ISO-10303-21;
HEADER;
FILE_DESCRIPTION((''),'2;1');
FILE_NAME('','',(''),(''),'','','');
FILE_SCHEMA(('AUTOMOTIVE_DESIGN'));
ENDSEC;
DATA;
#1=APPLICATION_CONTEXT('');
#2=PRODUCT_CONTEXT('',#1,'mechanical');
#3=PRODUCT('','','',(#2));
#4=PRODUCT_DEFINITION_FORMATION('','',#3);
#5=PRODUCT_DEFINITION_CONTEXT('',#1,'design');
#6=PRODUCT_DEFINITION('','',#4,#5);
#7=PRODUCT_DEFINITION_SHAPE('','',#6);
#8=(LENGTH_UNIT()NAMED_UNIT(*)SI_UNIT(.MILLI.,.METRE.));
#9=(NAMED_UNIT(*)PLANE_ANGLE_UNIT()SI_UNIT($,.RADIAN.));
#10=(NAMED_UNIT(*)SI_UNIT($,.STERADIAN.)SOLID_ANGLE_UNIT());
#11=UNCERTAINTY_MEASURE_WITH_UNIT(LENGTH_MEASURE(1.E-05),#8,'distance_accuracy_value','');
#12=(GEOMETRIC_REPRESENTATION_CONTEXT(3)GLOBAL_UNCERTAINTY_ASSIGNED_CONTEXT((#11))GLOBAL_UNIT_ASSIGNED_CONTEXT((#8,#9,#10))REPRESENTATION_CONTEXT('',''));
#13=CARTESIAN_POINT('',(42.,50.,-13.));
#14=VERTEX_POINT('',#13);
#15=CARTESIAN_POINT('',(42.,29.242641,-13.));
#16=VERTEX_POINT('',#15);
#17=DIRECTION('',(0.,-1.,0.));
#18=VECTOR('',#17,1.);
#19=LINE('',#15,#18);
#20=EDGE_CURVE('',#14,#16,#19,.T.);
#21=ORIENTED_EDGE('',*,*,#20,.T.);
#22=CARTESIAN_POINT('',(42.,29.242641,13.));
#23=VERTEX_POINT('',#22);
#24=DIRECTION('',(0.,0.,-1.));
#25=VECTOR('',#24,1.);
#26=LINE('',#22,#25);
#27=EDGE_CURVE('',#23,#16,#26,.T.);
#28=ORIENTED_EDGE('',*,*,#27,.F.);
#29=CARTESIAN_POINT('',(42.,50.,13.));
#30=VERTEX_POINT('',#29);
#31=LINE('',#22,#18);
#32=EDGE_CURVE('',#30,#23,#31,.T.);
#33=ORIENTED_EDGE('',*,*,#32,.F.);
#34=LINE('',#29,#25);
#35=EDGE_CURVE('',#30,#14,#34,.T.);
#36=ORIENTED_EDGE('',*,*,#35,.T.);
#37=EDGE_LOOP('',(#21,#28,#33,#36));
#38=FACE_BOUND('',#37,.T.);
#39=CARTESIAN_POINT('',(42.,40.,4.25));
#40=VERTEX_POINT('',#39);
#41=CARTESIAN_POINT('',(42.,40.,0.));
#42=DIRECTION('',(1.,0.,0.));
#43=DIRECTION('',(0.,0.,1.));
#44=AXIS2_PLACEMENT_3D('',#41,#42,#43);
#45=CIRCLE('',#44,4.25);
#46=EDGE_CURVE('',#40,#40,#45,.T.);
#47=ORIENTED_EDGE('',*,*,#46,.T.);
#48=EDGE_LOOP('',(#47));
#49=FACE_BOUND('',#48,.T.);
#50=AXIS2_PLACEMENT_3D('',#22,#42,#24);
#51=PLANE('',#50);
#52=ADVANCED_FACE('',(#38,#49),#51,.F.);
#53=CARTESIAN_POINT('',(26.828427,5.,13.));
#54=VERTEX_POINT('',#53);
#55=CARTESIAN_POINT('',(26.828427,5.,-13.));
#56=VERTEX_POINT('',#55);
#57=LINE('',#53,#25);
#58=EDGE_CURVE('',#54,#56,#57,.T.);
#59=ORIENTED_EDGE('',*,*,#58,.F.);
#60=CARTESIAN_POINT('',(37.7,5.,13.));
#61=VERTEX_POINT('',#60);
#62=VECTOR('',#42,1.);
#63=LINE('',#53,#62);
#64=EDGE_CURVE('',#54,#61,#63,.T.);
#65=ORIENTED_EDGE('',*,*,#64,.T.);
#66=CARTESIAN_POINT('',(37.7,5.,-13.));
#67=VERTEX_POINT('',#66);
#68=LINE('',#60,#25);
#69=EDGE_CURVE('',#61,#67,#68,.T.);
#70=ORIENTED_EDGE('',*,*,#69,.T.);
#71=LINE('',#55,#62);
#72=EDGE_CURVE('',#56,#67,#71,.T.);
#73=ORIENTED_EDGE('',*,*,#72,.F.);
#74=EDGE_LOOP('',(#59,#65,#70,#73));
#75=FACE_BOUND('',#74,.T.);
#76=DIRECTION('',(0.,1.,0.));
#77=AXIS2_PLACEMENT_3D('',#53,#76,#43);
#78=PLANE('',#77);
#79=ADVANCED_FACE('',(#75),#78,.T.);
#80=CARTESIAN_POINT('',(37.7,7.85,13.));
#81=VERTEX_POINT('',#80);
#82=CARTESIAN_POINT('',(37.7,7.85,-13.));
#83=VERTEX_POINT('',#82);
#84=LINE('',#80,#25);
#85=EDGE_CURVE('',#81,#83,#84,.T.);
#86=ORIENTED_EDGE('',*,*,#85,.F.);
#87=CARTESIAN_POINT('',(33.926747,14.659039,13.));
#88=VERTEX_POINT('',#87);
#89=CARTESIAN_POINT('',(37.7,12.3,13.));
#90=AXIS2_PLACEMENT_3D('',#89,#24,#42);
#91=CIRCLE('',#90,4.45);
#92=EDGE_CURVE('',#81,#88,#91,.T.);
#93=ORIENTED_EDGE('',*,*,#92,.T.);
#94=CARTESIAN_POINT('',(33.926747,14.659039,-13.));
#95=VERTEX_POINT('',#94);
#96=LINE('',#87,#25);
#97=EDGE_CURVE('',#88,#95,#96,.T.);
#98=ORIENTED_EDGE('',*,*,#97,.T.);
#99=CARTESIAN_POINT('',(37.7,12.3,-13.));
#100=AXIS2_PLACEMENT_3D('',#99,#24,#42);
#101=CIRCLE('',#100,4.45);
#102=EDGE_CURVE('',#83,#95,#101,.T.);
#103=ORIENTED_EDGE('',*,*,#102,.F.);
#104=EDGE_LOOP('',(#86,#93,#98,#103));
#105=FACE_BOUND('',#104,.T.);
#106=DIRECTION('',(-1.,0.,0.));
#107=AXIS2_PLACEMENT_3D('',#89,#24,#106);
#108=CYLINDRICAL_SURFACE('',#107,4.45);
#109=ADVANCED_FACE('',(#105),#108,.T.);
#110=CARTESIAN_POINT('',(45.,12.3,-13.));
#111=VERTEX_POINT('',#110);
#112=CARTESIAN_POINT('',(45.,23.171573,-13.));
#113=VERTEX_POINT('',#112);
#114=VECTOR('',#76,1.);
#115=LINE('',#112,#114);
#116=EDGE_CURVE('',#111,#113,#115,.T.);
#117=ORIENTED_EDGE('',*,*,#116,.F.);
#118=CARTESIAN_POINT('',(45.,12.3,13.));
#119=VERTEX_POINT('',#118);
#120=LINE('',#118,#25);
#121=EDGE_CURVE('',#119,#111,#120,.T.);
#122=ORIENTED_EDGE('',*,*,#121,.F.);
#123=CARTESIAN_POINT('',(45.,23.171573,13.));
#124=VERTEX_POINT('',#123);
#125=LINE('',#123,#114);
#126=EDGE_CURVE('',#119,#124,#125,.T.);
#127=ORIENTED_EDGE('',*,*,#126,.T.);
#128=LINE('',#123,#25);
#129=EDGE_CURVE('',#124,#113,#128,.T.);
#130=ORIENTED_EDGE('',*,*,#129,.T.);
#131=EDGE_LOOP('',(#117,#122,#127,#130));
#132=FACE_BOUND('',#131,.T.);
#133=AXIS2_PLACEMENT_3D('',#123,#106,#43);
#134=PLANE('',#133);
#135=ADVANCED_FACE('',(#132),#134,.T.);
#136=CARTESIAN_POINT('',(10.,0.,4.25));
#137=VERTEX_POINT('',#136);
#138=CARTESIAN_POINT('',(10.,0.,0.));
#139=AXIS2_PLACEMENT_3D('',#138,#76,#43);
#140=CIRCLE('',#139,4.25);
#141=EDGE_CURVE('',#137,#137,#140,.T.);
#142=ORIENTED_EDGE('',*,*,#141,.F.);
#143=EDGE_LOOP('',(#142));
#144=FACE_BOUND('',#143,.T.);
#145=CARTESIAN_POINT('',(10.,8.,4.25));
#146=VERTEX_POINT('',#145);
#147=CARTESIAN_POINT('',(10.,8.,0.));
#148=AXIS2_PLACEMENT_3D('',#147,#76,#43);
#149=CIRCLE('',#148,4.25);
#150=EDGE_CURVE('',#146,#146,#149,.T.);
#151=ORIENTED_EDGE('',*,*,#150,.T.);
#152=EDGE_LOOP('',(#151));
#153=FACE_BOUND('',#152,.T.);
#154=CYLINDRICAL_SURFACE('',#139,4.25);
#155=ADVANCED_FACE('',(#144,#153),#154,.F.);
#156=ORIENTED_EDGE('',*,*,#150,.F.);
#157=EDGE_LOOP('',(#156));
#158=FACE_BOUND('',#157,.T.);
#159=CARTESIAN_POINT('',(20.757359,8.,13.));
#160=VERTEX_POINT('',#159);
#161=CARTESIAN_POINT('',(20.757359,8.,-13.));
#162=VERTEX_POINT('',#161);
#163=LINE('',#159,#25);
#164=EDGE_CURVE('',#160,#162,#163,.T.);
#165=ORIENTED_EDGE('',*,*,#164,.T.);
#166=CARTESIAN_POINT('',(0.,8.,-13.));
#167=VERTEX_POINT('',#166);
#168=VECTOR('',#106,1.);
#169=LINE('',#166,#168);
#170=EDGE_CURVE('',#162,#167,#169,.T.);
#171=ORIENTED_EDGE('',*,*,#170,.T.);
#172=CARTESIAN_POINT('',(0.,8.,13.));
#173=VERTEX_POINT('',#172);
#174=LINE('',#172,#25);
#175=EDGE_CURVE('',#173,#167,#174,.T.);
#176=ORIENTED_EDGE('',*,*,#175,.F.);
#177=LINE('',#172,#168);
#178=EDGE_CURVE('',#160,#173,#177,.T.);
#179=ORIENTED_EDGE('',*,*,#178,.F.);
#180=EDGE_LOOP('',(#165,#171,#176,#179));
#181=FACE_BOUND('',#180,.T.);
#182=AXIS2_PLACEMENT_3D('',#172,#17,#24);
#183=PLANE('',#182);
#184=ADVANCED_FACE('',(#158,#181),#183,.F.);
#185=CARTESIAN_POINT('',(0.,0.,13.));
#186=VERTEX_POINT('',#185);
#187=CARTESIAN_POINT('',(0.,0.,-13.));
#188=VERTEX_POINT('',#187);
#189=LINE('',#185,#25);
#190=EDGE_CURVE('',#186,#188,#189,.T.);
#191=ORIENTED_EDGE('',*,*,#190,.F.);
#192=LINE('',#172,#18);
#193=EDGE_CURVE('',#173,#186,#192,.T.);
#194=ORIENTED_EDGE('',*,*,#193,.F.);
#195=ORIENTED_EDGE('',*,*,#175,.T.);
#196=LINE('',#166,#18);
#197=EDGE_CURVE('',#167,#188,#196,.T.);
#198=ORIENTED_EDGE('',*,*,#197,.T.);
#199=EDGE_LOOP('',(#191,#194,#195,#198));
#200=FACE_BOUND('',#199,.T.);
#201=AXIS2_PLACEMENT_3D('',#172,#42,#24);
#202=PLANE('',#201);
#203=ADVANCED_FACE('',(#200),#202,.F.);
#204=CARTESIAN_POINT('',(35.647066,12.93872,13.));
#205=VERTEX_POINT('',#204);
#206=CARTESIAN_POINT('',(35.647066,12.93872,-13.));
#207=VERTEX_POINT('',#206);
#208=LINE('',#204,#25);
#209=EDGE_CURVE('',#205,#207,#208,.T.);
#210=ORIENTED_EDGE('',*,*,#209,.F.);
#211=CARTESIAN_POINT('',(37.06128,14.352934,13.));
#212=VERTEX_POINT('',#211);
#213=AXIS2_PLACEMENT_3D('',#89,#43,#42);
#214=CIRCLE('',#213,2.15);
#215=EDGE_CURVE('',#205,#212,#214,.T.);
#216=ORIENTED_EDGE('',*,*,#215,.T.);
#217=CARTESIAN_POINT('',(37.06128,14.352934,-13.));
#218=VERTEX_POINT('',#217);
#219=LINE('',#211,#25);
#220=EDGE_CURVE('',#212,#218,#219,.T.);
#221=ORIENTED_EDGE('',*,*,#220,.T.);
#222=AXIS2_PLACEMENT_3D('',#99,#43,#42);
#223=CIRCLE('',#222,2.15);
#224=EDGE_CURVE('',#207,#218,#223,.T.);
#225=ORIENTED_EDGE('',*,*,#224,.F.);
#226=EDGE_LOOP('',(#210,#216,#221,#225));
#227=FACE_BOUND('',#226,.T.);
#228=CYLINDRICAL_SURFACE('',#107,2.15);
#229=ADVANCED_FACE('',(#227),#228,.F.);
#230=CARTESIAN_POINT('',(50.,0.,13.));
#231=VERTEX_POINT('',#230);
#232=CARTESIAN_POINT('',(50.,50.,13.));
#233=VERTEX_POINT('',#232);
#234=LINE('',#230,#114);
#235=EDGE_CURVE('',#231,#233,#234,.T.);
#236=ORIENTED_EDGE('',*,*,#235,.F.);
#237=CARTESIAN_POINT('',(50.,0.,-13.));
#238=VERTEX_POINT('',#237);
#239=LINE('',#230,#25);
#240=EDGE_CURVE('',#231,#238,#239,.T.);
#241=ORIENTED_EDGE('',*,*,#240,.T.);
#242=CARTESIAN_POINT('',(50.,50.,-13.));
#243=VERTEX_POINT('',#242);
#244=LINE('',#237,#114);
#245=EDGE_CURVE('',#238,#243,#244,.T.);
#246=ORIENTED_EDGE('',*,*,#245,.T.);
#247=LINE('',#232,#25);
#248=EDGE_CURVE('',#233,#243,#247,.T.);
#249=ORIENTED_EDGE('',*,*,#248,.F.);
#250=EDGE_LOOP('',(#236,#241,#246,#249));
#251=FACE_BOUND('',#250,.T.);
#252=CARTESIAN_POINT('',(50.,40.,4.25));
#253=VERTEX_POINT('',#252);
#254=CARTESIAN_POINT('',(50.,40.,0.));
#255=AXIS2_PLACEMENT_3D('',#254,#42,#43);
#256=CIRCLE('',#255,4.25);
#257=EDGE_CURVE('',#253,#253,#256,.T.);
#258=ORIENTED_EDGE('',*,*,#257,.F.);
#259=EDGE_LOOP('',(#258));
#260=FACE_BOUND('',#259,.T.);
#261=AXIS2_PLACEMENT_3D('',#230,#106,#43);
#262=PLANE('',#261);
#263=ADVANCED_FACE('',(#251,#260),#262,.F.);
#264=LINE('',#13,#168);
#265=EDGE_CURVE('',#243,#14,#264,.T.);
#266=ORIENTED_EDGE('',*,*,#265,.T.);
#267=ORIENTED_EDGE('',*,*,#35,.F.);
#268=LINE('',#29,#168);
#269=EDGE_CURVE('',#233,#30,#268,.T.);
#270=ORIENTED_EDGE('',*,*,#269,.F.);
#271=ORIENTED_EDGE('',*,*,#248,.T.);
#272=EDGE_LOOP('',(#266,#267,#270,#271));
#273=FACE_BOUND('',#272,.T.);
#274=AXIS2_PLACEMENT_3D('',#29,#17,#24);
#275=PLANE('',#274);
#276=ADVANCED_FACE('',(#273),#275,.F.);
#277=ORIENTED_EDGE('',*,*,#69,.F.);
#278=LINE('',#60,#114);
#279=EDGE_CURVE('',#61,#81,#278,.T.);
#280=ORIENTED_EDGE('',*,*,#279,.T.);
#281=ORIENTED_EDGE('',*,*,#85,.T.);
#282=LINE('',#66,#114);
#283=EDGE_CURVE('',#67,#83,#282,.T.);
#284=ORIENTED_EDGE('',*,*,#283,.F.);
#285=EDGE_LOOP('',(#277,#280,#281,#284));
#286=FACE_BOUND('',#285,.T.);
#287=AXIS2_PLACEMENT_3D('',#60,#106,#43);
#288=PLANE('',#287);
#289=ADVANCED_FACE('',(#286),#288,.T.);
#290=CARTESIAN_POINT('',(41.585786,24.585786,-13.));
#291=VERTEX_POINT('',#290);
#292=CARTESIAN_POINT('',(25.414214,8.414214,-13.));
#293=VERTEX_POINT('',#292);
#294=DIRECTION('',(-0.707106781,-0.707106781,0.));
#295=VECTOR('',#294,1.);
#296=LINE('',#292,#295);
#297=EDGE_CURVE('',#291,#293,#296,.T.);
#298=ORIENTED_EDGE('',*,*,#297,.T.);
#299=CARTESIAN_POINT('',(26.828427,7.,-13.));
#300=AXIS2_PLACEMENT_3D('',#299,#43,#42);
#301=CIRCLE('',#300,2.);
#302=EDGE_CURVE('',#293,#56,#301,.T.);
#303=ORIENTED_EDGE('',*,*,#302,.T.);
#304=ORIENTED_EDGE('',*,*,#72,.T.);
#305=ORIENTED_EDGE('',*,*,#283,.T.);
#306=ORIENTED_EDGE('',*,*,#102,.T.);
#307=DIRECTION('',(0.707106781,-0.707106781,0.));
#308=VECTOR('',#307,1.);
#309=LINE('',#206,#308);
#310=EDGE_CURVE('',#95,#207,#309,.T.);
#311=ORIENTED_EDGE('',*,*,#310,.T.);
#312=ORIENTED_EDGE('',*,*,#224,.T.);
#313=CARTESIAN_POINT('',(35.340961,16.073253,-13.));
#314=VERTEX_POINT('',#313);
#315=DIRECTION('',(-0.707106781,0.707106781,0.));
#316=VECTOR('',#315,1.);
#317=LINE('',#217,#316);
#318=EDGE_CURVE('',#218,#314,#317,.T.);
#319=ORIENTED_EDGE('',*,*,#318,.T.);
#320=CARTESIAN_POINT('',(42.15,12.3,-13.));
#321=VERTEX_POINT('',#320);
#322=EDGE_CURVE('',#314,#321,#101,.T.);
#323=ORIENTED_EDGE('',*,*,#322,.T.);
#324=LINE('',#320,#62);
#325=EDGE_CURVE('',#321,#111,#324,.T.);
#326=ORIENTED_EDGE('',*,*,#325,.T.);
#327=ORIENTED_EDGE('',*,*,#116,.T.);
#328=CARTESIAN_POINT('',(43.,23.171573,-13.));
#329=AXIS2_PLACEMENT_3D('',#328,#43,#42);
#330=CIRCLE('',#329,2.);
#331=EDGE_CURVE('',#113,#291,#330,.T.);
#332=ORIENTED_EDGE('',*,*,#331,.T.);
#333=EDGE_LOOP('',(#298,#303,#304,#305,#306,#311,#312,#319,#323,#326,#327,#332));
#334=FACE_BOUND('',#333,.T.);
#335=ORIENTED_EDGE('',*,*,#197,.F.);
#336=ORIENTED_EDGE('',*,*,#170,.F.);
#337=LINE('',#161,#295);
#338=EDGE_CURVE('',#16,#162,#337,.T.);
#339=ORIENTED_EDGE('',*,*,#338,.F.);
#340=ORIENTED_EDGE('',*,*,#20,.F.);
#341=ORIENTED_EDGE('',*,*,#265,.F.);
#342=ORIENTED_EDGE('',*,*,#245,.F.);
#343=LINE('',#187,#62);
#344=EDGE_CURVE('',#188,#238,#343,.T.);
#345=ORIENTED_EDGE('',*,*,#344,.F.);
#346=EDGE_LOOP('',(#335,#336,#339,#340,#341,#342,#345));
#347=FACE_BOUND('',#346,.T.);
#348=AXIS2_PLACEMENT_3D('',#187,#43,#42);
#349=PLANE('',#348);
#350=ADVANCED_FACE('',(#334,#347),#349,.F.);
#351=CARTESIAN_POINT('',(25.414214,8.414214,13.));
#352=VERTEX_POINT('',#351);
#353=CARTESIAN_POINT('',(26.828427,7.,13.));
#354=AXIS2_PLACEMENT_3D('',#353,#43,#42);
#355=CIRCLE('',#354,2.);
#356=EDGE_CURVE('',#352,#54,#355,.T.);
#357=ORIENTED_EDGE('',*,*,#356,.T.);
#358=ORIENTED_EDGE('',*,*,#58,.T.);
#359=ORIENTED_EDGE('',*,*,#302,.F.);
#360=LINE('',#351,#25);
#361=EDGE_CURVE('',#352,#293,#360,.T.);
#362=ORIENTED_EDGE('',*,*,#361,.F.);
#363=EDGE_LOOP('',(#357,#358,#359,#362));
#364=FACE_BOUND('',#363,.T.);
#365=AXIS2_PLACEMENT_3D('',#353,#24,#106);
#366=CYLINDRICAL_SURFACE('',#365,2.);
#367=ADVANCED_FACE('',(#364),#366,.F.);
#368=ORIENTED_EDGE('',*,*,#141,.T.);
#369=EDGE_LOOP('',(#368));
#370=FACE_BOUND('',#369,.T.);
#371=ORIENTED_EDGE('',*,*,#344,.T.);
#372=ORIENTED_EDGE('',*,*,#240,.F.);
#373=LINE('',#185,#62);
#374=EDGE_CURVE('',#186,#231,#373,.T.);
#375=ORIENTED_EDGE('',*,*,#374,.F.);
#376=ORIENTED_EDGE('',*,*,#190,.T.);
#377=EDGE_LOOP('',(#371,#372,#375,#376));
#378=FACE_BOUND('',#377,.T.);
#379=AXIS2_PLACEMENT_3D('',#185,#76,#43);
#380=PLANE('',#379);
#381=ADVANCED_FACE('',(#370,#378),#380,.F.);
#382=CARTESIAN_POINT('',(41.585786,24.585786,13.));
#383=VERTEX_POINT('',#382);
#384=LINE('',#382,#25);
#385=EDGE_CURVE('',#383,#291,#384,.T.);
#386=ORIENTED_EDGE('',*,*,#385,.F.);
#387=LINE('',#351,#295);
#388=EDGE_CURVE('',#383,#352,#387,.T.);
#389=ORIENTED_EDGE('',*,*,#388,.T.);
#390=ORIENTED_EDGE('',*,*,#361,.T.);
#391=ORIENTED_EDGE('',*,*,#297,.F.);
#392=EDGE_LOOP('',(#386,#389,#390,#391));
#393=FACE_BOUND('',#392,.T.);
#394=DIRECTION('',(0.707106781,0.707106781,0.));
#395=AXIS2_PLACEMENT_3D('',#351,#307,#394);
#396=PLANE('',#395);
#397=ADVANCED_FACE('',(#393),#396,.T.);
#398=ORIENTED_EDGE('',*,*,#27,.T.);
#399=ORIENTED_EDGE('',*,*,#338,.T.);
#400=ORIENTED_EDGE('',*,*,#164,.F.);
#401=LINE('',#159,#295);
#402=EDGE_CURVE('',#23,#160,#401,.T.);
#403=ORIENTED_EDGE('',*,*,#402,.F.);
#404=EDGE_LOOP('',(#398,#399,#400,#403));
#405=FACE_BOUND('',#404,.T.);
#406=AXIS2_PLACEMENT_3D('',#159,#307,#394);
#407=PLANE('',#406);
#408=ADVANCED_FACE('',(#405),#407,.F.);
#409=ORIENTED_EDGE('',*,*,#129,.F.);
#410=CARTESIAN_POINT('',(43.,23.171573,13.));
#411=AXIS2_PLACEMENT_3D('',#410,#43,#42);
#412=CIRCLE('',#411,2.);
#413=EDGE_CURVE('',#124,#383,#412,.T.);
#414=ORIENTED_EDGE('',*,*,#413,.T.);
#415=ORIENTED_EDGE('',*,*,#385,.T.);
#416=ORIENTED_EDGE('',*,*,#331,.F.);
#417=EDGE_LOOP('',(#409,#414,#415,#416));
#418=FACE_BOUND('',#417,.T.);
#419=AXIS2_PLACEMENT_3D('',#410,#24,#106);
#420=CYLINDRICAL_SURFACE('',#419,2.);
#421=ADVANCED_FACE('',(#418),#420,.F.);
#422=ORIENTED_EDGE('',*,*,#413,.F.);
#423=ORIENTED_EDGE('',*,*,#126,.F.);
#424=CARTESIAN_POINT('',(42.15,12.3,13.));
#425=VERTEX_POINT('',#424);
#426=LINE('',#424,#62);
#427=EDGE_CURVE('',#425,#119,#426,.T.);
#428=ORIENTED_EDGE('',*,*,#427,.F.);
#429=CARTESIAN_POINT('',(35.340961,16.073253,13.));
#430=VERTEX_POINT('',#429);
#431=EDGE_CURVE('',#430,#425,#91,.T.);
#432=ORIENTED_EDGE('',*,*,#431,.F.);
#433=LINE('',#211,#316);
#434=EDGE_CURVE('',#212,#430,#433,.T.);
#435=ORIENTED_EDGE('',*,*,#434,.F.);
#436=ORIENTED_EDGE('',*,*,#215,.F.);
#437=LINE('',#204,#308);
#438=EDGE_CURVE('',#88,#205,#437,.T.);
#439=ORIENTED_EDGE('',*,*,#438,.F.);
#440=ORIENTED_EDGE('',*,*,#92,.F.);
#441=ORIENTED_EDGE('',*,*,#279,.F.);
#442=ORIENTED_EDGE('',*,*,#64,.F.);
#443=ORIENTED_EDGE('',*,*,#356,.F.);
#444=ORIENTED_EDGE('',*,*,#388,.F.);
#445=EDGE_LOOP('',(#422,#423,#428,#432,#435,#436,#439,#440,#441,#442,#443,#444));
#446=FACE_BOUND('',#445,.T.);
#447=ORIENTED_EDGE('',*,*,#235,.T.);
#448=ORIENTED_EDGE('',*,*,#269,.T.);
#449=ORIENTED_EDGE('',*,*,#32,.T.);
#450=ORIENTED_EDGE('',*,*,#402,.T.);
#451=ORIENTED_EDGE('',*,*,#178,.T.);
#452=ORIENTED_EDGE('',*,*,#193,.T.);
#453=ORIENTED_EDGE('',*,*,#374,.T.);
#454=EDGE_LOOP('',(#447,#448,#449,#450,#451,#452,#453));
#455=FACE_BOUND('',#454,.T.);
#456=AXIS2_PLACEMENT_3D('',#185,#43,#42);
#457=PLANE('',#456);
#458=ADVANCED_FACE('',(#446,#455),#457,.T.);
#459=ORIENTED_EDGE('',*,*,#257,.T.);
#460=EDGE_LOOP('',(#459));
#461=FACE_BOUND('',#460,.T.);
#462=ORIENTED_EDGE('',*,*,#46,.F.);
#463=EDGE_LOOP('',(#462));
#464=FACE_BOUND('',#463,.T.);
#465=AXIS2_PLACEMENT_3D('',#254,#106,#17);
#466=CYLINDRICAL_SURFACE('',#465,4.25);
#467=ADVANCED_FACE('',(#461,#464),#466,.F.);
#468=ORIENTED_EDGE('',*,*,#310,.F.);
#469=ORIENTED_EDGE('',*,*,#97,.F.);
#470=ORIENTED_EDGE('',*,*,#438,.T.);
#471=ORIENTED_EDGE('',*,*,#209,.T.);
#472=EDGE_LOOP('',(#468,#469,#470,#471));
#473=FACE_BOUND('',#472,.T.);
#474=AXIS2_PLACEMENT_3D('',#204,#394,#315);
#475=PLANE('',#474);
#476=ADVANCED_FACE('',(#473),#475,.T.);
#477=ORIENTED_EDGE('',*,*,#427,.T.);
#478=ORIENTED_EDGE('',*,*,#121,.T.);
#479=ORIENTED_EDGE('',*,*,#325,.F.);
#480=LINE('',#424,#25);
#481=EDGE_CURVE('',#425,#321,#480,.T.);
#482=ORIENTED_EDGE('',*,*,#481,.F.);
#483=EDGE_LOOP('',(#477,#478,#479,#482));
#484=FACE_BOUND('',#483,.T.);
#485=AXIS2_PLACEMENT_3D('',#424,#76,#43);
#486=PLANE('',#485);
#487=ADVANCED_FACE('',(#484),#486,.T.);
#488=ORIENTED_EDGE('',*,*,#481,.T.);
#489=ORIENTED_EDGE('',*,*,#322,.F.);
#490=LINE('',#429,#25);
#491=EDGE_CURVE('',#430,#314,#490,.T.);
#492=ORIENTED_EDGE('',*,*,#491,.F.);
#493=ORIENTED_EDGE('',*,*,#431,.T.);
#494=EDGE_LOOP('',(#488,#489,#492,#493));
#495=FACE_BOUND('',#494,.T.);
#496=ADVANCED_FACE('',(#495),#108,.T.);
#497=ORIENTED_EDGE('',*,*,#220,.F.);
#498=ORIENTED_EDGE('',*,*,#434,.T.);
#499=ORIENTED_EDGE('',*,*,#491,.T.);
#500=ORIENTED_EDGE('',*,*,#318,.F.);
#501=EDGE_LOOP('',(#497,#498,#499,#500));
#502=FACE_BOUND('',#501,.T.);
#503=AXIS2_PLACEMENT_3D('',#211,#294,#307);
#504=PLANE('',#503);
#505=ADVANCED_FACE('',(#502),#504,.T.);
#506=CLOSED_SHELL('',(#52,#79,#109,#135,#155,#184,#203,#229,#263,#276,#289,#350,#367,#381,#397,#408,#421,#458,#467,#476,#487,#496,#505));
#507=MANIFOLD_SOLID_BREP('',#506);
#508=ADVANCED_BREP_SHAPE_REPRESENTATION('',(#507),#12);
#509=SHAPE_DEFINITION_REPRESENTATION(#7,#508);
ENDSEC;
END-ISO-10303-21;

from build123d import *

# Parameters (mm, degrees)
EXTRUDE_1_DEPTH     = 13
SKETCH_3_R          = 4.25
CUT_EXTRUDE_1_DEPTH = 67.580778007


with BuildPart() as part:
    # 草图1 → 凸台-拉伸1 (new, symmetric)
    with BuildSketch(Plane.XY):
        Polygon((0, 0), (50, 0), (50, 50), (42, 50), (42, 29.242640687), (20.757359313, 8), (0, 8), align=None)
        with BuildLine():
            Line((37.061279898, 14.352933665), (35.340960992, 16.07325257))
            ThreePointArc((35.340960992, 16.07325257), (39.856939547, 16.192314452), (42.15, 12.3))
            Line((42.15, 12.3), (45, 12.3))
            Line((45, 12.3), (45, 23.171572875))
            ThreePointArc((45, 23.171572875), (43.765366865, 25.01933194), (41.585786438, 24.585786438))
            Line((41.585786438, 24.585786438), (25.414213562, 8.414213562))
            ThreePointArc((25.414213562, 8.414213562), (24.98066806, 6.234633135), (26.828427125, 5))
            Line((26.828427125, 5), (37.7, 5))
            Line((37.7, 5), (37.7, 7.85))
            ThreePointArc((37.7, 7.85), (33.807685548, 10.143060453), (33.92674743, 14.659039008))
            Line((33.92674743, 14.659039008), (35.647066335, 12.938720102))
            ThreePointArc((35.647066335, 12.938720102), (39.22027958, 10.77972042), (37.061279898, 14.352933665))
        make_face(mode=Mode.SUBTRACT)
    extrude(amount=EXTRUDE_1_DEPTH, both=True)

    # 草图3 → 切除-拉伸1 (cut, through all)
    with BuildSketch(Plane(origin=(0, 8, 0), x_dir=(1, 0, 0), z_dir=(0, 1, 0))):
        with Locations(Location((10, 0, 0), (0, 0, 270))):
            Circle(SKETCH_3_R)
    cut_extrude_1 = extrude(amount=-CUT_EXTRUDE_1_DEPTH, mode=Mode.SUBTRACT)

    # 镜向1: 切除-拉伸1 across plane
    add(cut_extrude_1.mirror(Plane(origin=(25, 25, 0), x_dir=(0, 0, 1), z_dir=(-0.7071067811865489, -0.7071067811865462, 0))), mode=Mode.SUBTRACT)


solid = part.part
